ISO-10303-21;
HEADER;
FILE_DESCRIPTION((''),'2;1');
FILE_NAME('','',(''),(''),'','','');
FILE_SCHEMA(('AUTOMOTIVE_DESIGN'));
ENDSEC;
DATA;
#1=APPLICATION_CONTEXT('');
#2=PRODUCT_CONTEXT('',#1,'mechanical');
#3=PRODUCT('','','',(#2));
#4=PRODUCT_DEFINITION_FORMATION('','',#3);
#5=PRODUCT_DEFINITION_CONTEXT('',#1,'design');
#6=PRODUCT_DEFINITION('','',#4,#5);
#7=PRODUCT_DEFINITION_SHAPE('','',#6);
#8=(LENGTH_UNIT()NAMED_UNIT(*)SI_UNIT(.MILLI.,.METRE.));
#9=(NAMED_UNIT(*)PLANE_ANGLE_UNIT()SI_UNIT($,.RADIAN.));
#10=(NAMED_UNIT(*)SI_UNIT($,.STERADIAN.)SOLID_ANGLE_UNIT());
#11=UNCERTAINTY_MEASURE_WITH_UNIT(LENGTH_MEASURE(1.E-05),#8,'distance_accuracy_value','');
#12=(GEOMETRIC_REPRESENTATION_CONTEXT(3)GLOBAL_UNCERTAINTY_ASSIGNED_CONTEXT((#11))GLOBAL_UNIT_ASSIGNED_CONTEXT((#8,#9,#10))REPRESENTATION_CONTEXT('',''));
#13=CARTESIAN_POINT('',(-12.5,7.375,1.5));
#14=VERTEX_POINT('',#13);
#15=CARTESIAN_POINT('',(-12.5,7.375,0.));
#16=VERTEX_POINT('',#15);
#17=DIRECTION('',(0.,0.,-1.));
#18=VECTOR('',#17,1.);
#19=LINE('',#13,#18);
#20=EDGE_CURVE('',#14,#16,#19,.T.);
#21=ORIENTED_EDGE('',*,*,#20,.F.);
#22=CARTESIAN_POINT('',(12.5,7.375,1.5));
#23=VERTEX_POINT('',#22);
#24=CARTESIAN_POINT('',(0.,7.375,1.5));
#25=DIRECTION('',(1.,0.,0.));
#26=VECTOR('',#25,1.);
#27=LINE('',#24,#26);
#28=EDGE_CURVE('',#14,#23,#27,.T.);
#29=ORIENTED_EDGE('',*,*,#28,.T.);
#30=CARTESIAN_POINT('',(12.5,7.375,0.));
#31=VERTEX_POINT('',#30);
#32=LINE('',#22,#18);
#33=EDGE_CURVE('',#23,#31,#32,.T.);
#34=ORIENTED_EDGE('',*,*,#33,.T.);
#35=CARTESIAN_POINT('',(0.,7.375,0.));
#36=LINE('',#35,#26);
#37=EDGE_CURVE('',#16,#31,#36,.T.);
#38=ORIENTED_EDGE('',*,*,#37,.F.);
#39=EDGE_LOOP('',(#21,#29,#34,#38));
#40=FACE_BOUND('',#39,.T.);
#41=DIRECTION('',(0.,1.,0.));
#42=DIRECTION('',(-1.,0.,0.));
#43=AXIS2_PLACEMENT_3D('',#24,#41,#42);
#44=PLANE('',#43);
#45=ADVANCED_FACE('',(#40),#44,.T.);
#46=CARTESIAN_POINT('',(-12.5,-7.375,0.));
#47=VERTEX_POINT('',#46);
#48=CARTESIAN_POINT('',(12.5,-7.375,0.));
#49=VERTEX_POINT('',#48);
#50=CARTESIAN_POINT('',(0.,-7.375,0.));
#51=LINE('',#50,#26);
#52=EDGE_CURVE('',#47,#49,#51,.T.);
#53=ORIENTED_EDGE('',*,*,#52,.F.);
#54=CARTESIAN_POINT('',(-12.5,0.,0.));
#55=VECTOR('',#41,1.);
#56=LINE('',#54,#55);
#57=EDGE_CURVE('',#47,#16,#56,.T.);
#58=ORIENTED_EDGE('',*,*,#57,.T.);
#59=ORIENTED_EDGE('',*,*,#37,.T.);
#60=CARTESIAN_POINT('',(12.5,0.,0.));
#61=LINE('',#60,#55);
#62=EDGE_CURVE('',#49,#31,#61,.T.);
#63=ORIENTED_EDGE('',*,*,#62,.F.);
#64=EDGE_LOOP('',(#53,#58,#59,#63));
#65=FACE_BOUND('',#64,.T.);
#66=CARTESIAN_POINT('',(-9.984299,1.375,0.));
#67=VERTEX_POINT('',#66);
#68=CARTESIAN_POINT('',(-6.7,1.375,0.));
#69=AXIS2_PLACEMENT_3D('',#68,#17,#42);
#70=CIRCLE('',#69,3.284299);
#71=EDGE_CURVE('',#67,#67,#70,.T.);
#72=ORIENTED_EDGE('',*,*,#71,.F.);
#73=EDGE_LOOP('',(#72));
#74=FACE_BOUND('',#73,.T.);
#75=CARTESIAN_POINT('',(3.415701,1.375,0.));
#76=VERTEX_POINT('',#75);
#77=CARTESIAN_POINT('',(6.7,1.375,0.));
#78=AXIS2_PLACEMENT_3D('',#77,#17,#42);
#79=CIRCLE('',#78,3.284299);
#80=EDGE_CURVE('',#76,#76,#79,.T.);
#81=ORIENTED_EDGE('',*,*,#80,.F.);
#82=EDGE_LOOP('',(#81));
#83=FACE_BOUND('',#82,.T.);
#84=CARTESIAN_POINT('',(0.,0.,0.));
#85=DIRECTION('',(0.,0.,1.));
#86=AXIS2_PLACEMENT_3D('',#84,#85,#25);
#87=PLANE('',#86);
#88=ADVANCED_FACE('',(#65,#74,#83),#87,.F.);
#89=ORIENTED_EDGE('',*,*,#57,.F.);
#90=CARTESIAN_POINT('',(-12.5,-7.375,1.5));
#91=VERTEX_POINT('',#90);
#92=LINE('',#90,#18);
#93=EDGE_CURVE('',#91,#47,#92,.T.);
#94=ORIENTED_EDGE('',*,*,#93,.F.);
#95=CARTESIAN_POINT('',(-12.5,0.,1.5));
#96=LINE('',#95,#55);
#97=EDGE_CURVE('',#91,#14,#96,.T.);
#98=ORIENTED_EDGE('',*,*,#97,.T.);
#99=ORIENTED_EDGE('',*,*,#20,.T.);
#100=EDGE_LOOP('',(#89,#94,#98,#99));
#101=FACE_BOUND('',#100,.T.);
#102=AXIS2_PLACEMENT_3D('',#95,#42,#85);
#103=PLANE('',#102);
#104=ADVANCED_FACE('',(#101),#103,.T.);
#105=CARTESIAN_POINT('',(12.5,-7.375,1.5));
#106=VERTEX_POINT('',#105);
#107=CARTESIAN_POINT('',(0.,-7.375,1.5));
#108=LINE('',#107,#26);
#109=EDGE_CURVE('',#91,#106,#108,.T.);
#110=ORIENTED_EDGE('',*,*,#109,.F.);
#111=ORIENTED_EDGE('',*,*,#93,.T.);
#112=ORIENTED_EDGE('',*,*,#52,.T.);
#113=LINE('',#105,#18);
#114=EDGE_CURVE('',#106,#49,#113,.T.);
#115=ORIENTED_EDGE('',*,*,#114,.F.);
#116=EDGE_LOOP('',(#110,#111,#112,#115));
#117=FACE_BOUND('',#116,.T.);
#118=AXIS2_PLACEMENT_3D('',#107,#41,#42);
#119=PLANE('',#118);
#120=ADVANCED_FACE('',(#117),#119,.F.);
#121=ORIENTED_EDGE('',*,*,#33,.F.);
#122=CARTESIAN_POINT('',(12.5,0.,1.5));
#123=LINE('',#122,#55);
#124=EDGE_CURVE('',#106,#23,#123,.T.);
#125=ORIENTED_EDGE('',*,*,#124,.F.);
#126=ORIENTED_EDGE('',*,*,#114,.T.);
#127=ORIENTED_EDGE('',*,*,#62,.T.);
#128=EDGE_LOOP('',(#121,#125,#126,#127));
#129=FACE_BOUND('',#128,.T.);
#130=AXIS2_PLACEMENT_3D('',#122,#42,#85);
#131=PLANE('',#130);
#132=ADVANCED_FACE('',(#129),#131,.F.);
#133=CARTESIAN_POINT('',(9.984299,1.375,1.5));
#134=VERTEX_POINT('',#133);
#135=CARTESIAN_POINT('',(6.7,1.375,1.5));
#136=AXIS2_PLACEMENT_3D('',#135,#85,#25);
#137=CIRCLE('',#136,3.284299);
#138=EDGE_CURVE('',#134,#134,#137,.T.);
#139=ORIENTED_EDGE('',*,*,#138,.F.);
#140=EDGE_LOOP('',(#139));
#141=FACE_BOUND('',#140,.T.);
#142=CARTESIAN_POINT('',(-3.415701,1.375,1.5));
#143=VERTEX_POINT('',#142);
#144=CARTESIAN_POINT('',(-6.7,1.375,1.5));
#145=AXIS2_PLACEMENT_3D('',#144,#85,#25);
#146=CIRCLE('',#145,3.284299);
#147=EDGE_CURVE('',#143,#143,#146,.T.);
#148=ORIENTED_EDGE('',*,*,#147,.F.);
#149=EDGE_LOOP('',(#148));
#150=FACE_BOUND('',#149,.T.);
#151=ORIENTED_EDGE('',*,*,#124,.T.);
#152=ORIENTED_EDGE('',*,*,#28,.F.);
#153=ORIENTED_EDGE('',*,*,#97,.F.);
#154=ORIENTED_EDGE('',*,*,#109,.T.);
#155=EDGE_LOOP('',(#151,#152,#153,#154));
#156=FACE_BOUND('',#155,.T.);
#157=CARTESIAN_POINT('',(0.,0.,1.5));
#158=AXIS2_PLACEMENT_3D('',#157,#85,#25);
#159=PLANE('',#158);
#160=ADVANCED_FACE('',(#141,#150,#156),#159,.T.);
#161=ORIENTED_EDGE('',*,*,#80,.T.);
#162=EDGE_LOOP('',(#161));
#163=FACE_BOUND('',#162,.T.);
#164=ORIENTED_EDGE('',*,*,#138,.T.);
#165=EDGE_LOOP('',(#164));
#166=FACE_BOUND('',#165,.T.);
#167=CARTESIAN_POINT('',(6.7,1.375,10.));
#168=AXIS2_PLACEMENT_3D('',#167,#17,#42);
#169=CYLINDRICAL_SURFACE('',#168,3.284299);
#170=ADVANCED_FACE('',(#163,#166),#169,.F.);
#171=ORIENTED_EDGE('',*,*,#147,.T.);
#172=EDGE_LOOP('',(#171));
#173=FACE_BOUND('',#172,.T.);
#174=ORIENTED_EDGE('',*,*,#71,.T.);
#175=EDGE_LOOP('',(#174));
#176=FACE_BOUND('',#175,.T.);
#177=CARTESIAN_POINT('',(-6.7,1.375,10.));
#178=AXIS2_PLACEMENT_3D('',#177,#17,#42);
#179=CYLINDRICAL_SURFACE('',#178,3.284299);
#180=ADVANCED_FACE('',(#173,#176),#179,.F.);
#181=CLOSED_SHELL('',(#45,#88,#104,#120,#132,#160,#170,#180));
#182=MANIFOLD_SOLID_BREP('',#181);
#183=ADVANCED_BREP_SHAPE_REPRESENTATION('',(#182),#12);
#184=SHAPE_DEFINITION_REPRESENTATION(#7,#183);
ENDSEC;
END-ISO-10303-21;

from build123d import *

# Parameters (mm, degrees)
SKETCH1_W           = 25
SKETCH1_H           = 14.75
BOSS_EXTRUDE1_DEPTH = 1.5
SKETCH3_R           = 3.284298871
CUT_EXTRUDE1_DEPTH  = 10


with BuildPart() as part:
    # Sketch1 → Boss-Extrude1 (new body)
    with BuildSketch(Plane.XY):
        Rectangle(SKETCH1_W, SKETCH1_H)
    extrude(amount=BOSS_EXTRUDE1_DEPTH)

    # Sketch3 → Cut-Extrude1 (cut)
    with BuildSketch(Plane(origin=(0, 0, 0), x_dir=(-1, 0, 0), z_dir=(0, 0, -1))):
        with Locations((-6.7, 1.375)):
            Circle(SKETCH3_R)
        with Locations((6.7, 1.375)):
            Circle(SKETCH3_R)
    extrude(amount=-CUT_EXTRUDE1_DEPTH, mode=Mode.SUBTRACT)


solid = part.part
